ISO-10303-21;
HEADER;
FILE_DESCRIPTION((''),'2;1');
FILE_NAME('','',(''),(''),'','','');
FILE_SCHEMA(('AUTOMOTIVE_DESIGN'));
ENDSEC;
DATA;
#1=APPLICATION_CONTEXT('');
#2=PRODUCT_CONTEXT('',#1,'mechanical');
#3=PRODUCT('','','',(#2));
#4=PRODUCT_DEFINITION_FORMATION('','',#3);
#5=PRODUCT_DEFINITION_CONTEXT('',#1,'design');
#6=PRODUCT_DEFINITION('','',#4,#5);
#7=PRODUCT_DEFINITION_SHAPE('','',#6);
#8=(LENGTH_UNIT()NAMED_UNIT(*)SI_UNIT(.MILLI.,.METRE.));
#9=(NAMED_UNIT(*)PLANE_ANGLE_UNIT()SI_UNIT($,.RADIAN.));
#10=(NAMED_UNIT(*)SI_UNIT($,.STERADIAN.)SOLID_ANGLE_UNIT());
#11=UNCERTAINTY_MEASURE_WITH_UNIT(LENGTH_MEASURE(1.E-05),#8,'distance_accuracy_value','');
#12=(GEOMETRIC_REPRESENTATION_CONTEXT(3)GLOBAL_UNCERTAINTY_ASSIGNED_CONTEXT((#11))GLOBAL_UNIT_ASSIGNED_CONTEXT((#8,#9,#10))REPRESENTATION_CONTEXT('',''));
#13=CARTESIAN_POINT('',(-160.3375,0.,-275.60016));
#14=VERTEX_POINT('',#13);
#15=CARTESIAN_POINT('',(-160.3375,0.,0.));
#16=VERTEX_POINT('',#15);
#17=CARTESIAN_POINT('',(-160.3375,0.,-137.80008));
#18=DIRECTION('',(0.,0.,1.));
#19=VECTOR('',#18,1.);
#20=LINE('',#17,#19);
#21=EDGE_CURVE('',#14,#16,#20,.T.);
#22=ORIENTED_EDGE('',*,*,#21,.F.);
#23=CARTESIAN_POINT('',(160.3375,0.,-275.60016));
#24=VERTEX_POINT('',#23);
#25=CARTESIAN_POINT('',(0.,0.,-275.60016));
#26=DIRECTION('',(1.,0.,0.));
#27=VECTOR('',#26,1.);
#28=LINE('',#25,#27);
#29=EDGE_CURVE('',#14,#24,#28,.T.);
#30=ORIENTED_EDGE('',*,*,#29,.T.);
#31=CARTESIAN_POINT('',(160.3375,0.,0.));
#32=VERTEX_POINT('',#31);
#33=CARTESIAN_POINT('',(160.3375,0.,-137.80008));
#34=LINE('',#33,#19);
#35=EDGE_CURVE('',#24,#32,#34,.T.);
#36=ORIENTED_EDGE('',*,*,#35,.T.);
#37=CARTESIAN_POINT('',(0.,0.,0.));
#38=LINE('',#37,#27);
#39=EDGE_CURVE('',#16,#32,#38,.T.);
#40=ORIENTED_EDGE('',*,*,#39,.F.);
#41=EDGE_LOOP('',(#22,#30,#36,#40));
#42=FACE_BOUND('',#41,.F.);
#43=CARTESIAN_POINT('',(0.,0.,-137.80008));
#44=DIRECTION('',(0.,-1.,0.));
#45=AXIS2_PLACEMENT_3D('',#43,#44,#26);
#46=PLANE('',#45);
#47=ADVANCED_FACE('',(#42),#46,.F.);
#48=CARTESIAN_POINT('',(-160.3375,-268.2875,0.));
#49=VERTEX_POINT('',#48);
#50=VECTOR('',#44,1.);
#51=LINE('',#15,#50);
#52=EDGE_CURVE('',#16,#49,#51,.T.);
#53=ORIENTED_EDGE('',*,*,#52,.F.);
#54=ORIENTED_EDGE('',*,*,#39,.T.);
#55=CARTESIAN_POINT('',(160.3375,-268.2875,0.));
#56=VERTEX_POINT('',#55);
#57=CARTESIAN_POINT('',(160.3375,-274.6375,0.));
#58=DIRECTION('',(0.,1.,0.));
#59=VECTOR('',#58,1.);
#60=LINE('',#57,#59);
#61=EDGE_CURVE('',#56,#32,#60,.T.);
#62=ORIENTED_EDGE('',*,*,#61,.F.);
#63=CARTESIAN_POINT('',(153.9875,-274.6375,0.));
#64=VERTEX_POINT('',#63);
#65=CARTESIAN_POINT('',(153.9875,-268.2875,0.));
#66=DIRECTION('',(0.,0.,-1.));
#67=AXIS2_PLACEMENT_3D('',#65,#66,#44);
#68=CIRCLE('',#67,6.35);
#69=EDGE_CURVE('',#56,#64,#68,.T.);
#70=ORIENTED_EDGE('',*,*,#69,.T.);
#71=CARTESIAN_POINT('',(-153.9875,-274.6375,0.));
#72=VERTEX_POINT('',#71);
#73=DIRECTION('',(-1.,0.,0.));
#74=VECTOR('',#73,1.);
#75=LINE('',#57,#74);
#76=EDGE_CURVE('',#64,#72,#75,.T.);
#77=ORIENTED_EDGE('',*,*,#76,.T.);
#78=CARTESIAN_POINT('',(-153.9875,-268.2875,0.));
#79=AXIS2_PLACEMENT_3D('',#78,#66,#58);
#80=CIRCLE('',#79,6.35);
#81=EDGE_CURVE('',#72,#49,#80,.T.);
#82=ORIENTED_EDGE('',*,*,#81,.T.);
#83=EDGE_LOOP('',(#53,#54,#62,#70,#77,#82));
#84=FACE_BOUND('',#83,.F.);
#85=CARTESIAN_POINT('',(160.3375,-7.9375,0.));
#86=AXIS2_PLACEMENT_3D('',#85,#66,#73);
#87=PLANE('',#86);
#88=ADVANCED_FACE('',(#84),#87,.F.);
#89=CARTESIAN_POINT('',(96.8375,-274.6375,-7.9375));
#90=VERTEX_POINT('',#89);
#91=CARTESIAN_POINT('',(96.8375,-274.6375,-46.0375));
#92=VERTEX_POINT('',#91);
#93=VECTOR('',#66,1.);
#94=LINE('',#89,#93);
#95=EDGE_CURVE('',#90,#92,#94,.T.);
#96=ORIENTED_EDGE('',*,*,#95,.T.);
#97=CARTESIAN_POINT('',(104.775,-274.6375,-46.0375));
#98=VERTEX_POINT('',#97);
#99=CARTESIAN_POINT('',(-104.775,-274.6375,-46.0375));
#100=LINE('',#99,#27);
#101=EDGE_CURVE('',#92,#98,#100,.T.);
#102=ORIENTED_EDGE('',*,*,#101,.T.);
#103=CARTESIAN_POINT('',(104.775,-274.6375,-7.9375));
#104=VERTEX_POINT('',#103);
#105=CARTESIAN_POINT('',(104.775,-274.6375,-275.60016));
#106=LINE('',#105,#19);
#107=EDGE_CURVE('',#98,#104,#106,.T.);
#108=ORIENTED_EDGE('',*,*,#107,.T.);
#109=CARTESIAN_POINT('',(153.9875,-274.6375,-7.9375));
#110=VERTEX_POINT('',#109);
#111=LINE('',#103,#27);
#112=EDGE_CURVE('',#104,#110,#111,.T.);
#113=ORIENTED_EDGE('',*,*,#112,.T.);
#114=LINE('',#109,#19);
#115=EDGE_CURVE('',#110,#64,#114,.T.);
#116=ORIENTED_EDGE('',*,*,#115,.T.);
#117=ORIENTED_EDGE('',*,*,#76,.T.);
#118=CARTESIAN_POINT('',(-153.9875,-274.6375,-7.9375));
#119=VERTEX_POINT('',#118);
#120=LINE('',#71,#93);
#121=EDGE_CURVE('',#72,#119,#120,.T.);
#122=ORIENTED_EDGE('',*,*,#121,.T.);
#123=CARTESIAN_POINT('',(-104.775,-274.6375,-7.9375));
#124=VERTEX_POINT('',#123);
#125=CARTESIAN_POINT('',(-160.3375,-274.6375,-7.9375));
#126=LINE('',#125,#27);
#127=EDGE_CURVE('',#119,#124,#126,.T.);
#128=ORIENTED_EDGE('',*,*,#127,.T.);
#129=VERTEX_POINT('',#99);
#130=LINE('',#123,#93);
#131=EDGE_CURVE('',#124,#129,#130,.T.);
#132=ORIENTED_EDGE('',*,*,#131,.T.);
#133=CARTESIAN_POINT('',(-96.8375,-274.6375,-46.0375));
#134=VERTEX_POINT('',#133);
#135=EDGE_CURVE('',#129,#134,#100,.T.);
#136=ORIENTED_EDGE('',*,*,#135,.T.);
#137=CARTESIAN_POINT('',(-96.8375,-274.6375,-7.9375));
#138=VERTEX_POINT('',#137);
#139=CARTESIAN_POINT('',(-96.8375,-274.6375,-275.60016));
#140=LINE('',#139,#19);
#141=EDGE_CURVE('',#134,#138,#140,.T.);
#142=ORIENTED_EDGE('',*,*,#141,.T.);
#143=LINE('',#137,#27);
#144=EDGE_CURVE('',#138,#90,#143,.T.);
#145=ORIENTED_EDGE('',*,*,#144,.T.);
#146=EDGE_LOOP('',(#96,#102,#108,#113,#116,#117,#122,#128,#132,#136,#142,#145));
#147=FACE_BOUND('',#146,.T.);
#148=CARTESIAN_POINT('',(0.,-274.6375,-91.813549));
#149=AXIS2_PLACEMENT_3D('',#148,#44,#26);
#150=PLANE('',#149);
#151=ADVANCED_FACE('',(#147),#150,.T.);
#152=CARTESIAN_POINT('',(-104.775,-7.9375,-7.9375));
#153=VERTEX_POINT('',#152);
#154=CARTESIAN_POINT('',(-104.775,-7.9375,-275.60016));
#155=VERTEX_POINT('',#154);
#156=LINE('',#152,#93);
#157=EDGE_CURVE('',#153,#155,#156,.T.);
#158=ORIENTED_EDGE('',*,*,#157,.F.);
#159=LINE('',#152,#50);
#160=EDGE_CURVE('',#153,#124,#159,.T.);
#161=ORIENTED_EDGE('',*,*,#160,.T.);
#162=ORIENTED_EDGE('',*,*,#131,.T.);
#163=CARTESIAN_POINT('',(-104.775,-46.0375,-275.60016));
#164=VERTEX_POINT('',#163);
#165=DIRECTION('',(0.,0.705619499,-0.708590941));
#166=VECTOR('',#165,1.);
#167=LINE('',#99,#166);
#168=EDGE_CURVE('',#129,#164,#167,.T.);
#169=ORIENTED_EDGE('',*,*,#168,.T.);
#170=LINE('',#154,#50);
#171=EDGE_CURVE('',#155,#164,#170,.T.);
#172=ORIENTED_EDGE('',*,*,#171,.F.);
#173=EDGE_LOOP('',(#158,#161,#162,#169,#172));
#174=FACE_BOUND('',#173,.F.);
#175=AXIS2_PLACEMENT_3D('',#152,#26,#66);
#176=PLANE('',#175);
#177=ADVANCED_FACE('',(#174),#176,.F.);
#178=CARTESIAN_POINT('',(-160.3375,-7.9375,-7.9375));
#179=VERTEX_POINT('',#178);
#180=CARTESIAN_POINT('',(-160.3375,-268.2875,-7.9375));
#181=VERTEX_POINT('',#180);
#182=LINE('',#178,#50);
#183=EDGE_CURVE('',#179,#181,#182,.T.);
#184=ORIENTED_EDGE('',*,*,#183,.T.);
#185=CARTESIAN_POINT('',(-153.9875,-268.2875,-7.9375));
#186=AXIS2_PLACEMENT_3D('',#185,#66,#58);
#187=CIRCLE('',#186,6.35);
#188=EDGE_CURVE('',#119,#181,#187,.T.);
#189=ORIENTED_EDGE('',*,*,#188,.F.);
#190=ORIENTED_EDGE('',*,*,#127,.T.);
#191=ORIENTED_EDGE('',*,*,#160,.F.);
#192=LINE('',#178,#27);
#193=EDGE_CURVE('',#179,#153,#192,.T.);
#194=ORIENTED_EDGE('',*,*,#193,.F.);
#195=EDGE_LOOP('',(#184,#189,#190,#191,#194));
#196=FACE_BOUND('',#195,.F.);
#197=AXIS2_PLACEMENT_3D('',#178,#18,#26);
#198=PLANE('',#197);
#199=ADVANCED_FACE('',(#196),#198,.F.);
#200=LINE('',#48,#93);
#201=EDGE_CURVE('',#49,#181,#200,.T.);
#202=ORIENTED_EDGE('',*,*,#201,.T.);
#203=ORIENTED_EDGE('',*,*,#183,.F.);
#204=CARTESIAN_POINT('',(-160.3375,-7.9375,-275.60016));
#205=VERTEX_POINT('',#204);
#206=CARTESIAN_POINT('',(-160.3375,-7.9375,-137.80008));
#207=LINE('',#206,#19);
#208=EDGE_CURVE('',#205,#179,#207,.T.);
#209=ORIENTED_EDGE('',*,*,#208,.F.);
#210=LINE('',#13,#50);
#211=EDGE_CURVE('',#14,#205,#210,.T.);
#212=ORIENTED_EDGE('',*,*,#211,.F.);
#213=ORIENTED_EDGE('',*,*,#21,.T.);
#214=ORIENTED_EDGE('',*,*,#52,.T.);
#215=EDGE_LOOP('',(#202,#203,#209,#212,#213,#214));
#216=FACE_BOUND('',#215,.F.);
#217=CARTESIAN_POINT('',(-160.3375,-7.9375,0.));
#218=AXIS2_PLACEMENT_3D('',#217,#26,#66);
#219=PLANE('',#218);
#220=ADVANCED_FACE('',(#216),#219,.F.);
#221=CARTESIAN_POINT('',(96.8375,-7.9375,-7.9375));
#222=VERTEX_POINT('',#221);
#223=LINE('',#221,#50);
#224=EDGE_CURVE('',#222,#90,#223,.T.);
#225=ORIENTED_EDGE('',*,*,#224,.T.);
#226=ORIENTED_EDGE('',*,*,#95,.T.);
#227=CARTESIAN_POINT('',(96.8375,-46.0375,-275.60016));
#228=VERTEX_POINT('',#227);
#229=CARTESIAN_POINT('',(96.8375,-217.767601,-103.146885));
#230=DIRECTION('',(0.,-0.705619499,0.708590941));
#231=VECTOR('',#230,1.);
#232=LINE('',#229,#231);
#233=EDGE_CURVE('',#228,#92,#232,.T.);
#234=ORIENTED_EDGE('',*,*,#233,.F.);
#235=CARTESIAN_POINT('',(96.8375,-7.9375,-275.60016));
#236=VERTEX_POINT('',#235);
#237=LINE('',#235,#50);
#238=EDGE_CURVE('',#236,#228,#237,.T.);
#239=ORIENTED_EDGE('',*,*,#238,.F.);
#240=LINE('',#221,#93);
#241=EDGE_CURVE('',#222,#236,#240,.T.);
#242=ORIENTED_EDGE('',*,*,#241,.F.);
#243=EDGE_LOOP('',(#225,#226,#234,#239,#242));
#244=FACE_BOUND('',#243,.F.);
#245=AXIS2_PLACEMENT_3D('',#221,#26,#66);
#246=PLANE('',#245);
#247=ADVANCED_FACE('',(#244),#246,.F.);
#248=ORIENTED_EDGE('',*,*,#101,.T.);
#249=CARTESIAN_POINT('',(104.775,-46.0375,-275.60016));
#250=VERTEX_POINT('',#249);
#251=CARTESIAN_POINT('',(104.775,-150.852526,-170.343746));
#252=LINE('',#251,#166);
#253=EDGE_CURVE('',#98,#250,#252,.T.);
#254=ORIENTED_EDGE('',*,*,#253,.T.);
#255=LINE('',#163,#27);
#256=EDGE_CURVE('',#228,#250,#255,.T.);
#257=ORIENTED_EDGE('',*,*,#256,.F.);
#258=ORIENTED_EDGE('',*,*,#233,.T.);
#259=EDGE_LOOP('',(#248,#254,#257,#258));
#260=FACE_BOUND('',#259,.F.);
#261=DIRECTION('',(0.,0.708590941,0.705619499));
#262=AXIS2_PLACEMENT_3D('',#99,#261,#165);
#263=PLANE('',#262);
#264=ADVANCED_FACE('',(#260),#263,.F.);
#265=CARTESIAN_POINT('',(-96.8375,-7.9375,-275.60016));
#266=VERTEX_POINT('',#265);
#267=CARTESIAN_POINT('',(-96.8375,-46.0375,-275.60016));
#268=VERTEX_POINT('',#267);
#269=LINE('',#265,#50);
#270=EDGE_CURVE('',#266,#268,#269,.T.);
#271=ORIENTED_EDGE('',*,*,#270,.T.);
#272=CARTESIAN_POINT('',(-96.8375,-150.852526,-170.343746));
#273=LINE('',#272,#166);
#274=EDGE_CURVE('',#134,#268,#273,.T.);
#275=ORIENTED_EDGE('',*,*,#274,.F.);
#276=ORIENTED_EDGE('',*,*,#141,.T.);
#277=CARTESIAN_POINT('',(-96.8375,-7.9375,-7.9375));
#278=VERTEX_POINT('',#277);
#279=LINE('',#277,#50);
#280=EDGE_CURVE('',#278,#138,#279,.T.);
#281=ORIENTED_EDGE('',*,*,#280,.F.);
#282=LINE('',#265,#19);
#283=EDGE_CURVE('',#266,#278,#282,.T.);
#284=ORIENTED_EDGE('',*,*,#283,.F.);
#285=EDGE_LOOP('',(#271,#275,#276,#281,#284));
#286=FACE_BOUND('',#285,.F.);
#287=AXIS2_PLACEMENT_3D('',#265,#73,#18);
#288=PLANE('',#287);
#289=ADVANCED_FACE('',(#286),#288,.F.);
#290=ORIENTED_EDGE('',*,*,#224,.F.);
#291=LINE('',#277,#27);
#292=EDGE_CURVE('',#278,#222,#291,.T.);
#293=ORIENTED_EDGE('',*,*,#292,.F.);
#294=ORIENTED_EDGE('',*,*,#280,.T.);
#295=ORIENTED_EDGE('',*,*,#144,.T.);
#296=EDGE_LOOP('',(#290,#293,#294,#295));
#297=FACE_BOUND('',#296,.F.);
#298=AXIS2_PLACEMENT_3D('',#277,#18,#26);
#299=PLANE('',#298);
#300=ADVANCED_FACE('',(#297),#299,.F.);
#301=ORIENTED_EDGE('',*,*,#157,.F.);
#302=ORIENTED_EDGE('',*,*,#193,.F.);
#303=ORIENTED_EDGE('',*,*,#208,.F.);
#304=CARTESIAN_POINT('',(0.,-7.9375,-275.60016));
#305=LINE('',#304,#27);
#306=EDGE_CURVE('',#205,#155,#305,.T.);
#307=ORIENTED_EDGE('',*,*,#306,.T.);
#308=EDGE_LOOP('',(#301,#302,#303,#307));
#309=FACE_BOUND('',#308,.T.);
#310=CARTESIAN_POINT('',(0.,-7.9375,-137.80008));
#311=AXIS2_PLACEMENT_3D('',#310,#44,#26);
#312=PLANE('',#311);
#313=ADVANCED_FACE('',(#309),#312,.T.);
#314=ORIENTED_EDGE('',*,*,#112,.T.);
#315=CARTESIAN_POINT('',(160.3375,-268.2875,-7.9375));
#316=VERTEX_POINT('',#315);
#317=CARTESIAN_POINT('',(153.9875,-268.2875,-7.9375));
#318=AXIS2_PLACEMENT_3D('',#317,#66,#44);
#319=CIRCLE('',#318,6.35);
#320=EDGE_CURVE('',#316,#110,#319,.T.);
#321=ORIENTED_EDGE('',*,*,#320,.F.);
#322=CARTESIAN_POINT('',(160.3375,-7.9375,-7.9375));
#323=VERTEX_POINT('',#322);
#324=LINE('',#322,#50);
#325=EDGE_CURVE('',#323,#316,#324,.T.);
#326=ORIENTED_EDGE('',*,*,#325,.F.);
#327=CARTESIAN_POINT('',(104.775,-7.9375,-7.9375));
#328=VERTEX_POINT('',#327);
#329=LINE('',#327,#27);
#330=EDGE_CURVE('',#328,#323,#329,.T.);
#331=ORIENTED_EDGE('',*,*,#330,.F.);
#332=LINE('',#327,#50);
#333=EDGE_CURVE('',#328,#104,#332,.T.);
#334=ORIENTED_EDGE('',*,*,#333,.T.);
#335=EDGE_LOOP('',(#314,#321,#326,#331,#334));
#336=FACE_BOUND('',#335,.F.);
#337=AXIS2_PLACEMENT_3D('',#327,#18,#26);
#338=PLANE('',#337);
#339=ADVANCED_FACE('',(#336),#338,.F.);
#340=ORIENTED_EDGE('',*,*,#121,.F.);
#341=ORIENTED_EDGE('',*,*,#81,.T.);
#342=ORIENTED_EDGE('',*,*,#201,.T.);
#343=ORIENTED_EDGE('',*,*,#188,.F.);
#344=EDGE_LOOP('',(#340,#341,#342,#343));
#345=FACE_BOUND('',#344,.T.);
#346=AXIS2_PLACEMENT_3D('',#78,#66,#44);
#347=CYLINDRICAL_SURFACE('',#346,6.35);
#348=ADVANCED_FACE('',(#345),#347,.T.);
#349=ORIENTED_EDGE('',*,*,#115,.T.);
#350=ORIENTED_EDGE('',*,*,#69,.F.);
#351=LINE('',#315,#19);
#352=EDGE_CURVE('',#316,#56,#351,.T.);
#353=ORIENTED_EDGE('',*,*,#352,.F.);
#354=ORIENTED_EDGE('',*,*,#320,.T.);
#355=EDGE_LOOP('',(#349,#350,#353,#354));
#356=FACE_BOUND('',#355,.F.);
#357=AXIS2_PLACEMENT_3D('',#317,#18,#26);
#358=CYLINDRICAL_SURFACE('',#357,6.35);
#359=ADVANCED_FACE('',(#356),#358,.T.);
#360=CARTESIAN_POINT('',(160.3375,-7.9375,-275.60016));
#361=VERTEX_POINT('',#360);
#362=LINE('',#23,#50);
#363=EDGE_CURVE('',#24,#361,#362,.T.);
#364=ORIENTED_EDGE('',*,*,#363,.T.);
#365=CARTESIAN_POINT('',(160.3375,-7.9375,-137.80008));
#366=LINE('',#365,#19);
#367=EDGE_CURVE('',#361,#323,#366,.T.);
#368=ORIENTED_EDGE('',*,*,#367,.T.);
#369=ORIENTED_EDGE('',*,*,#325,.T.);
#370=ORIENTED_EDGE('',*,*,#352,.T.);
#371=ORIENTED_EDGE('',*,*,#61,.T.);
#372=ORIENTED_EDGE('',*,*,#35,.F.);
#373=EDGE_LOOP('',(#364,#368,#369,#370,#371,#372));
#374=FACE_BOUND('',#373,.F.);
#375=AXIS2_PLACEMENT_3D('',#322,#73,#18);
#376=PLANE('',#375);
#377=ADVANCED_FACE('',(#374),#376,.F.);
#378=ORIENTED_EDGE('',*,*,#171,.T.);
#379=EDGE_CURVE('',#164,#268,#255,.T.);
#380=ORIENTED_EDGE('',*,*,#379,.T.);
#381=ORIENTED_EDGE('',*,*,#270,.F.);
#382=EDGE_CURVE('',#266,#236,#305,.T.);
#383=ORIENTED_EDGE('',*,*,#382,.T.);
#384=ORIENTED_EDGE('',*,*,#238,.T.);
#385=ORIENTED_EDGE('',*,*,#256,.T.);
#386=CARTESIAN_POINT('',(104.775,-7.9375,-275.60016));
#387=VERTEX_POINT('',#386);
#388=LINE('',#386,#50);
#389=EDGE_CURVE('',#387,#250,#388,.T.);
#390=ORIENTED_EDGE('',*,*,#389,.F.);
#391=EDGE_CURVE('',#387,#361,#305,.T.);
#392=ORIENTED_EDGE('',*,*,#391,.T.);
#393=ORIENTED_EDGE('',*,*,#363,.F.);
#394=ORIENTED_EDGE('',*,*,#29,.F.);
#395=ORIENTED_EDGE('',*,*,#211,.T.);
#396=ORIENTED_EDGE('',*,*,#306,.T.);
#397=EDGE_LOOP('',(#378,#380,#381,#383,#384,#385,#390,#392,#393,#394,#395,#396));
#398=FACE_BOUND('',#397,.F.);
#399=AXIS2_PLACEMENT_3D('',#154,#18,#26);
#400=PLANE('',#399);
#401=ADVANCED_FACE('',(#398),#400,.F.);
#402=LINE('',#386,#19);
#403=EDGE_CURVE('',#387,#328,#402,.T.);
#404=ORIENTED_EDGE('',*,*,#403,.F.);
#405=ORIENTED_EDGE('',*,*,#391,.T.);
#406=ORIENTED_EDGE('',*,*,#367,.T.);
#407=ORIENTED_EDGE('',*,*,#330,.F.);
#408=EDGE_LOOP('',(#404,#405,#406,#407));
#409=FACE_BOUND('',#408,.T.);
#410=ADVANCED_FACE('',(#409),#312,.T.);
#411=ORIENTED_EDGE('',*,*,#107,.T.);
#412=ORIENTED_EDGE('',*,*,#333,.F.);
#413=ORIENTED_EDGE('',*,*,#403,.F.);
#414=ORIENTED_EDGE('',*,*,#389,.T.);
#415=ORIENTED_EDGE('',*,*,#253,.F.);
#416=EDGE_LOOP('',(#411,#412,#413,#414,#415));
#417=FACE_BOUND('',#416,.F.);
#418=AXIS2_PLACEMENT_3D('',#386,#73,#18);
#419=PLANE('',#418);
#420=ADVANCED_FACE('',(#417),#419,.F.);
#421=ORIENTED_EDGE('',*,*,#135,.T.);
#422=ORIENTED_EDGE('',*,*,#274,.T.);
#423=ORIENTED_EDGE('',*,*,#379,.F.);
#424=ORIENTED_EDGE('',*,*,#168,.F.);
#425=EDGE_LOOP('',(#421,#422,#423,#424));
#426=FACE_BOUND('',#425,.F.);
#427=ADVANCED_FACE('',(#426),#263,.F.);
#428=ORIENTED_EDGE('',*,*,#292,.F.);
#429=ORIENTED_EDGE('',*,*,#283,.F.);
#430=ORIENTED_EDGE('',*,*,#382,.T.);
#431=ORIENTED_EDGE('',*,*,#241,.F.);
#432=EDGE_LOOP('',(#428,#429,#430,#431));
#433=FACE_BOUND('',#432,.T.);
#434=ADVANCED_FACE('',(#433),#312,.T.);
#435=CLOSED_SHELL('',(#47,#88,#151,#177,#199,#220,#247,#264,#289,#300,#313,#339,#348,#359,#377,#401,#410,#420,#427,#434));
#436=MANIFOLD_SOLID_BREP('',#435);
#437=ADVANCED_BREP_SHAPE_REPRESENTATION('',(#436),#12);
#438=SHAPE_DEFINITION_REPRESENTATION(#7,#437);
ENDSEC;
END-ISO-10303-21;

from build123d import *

# Parameters (mm, degrees)
F0_W     = 320.675
F0_H     = 275.60016
F1_DEPTH = 7.9375
F4_DEPTH = 266.7
F6_DEPTH = 265.1135
F8_R     = 6.35


with BuildPart() as f1:
    # F0 (on Front) → F1 (new body)
    with BuildSketch(Plane.XZ):
        with Locations((0, -137.80008)):
            Rectangle(F0_W, F0_H)
    extrude(amount=F1_DEPTH)

    # F3 (on face) → F4 (join)
    with BuildSketch(Plane.XZ.offset(7.9375)):
        Polygon((160.3375, 0), (-160.3375, 0), (-160.3375, -7.9375), (-104.775, -7.9375), (-104.775, -275.60016), (-96.8375, -275.60016), (-96.8375, -7.9375), (96.8375, -7.9375), (96.8375, -275.60016), (104.775, -275.60016), (104.775, -7.9375), (160.3375, -7.9375), align=None)
    extrude(amount=F4_DEPTH)

    # F5 (on face) → F6 (cut, through all)
    with BuildSketch(Plane(origin=(-104.775, 0, 0), x_dir=(0, -1, 0), z_dir=(-1, 0, 0))):
        Polygon((274.6375, -46.0375), (46.0375, -275.60016), (274.6375, -275.60016), align=None)
    extrude(amount=-F6_DEPTH, mode=Mode.SUBTRACT)

    # F8
    f8_edges = [f1.edges().sort_by_distance(p)[0] for p in [
        (-160.3375, -274.6375, -3.96875),
        (160.3375, -274.6375, -3.96875),
    ]]
    fillet(f8_edges, radius=F8_R)


solid = f1.part
